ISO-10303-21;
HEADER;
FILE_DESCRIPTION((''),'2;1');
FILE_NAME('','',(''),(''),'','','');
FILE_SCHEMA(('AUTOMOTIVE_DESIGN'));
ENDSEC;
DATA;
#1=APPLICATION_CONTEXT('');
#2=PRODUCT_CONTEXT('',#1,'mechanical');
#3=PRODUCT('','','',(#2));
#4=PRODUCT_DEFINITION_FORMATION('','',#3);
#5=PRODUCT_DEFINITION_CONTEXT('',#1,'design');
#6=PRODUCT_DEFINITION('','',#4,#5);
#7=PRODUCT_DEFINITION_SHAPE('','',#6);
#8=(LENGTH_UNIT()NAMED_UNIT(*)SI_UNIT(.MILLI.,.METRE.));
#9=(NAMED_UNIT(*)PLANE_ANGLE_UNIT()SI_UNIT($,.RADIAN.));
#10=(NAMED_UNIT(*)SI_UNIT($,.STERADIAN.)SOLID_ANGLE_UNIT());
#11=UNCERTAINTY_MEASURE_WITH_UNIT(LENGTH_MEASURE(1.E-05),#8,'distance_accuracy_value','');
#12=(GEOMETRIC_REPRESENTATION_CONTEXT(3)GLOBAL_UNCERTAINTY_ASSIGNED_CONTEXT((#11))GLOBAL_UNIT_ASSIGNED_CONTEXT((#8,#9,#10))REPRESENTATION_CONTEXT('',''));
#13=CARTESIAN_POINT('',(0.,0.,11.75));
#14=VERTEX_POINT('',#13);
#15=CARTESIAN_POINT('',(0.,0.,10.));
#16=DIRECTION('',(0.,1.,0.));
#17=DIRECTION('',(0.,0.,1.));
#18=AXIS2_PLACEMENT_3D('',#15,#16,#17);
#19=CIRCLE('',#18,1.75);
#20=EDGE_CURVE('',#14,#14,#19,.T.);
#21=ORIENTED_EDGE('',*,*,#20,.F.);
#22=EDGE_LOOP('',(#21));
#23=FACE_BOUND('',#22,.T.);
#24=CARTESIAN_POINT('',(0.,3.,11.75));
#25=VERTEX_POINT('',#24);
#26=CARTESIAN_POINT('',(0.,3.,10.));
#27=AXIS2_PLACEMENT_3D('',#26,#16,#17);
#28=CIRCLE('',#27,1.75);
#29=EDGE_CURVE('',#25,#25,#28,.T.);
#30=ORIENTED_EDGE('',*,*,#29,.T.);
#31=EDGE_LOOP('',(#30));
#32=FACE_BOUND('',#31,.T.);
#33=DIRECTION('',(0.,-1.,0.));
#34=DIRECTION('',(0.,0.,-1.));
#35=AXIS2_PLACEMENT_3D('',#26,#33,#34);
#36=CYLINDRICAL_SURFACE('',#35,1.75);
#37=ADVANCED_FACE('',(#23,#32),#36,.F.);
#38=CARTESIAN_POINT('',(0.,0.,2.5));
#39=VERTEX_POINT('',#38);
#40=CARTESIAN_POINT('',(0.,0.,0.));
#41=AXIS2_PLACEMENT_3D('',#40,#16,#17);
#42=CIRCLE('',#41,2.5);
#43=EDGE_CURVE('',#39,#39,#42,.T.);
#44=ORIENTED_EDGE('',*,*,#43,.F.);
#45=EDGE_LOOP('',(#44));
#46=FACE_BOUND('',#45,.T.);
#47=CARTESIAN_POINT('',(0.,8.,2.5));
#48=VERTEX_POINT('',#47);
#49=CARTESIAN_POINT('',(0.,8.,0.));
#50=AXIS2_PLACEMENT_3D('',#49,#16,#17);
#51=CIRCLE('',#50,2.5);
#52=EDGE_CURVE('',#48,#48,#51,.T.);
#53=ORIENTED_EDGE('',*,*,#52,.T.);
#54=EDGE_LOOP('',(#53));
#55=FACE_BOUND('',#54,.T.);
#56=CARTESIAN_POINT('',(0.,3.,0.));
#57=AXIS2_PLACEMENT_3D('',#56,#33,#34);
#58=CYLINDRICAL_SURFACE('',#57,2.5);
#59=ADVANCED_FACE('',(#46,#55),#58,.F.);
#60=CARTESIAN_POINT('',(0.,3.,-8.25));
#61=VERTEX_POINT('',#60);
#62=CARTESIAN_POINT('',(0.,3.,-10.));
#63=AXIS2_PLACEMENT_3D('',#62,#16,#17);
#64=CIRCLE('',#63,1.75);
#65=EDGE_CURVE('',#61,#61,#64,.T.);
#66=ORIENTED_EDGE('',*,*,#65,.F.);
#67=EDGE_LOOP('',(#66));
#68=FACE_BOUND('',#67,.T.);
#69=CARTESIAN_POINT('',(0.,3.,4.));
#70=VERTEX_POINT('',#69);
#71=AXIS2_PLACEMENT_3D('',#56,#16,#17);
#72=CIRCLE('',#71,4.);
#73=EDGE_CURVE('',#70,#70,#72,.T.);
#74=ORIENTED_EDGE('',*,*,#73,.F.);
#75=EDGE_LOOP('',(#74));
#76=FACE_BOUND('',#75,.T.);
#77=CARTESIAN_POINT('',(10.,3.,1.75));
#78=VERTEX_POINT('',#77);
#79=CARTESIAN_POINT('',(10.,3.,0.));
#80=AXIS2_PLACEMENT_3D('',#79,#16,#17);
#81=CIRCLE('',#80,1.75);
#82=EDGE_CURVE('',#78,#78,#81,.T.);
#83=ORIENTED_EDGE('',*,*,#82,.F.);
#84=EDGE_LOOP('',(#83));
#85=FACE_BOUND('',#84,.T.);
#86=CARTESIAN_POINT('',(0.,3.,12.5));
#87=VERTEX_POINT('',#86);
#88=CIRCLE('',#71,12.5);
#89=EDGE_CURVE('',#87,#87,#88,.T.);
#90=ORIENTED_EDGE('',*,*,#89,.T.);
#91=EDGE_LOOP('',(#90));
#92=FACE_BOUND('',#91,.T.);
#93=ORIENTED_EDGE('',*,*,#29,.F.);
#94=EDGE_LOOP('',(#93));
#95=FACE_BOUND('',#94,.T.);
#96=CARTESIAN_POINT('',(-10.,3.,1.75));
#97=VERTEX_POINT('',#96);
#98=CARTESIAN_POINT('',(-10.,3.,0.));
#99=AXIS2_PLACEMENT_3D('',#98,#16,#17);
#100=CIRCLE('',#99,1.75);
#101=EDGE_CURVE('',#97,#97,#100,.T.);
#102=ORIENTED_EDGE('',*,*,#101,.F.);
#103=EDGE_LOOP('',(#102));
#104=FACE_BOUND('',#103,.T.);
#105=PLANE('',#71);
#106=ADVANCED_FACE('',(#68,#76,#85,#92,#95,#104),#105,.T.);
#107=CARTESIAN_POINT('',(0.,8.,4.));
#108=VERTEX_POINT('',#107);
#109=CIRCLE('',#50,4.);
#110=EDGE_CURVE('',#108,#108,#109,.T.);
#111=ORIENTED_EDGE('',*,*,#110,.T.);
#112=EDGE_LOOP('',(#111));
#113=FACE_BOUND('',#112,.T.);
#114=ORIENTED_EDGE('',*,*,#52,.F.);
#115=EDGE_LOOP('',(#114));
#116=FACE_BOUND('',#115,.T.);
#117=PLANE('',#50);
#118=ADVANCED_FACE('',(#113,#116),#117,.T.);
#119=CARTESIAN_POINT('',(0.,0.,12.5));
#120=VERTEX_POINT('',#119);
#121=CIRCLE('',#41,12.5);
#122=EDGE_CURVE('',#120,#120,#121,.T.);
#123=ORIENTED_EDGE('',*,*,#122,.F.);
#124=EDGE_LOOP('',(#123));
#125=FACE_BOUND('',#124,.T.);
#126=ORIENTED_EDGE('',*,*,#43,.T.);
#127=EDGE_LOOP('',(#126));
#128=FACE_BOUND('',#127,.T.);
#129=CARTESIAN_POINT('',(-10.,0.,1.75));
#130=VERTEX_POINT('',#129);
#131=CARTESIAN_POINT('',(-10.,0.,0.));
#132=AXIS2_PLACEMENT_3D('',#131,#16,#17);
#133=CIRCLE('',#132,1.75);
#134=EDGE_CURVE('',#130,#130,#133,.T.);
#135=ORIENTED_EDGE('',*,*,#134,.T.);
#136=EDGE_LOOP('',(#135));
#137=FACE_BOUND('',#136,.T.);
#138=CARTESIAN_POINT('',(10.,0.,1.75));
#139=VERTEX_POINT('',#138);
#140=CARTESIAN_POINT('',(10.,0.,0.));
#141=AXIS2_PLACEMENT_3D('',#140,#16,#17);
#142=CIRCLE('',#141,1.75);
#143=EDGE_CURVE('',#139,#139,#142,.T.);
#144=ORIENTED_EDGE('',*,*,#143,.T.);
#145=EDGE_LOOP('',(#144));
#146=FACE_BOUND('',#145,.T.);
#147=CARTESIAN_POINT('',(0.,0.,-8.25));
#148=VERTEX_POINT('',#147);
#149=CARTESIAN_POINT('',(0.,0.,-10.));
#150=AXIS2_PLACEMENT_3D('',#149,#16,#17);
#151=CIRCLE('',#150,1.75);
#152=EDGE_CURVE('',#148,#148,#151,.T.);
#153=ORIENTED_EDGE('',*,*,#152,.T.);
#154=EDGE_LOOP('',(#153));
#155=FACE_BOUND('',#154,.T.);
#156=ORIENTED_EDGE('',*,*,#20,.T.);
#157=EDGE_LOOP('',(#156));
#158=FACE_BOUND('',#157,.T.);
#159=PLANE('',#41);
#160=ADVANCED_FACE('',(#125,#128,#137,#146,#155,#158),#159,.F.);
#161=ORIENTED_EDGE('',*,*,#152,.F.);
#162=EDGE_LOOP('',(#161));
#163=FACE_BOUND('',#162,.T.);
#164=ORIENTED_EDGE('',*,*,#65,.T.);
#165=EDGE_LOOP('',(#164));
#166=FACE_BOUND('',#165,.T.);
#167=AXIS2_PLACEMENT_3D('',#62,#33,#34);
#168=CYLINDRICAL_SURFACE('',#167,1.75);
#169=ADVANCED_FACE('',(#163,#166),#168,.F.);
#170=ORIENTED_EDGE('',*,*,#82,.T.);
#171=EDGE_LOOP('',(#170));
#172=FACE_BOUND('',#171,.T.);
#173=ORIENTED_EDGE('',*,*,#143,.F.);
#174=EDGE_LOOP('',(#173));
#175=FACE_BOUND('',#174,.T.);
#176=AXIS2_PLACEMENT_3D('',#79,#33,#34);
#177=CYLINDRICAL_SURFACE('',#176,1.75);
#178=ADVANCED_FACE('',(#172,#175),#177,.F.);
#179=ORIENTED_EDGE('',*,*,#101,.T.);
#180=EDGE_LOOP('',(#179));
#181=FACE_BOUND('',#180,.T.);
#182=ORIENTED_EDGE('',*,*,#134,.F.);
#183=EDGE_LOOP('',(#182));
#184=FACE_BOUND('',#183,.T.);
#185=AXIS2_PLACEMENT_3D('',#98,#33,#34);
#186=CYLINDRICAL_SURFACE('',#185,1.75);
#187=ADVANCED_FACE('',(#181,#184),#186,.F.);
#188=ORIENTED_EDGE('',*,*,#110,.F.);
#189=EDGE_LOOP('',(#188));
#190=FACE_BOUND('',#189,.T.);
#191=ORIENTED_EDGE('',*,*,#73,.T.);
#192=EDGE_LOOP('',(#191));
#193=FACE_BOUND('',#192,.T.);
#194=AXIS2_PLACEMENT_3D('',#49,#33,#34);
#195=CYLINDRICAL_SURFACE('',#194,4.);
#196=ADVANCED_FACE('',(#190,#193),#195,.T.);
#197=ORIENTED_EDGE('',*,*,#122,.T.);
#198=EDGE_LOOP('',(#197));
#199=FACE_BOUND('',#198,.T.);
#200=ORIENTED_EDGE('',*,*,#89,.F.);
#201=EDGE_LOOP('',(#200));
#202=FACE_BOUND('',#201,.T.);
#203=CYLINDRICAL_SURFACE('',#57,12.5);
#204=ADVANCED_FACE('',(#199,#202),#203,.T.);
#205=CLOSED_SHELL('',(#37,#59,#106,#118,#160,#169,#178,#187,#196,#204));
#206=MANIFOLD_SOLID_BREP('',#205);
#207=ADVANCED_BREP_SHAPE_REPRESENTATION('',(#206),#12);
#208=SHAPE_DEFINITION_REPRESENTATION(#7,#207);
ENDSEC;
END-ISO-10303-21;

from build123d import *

# Parameters (mm, degrees)
SKETCH_1_R      = 12.5
SKETCH_1_R_2    = 2.5
SKETCH_1_R_3    = 1.75
EXTRUDE_1_DEPTH = 3
SKETCH_2_R      = 4
SKETCH_2_R_2    = 2.5
EXTRUDE_2_DEPTH = 5


with BuildPart() as part:
    # 草图1 → 凸台-拉伸1 (new body)
    with BuildSketch(Plane(origin=(0, 0, 0), x_dir=(1, 0, 0), z_dir=(0, 1, 0))):
        with Locations(Location((0, 0, 0), (0, 0, 270))):
            Circle(SKETCH_1_R)
        with Locations(Location((0, 0, 0), (0, 0, 270))):
            Circle(SKETCH_1_R_2, mode=Mode.SUBTRACT)
        with Locations(Location((0, 10, 0), (0, 0, 270))):
            Circle(SKETCH_1_R_3, mode=Mode.SUBTRACT)
        with Locations(Location((10, 0, 0), (0, 0, 270))):
            Circle(SKETCH_1_R_3, mode=Mode.SUBTRACT)
        with Locations(Location((0, -10, 0), (0, 0, 270))):
            Circle(SKETCH_1_R_3, mode=Mode.SUBTRACT)
        with Locations(Location((-10, 0, 0), (0, 0, 270))):
            Circle(SKETCH_1_R_3, mode=Mode.SUBTRACT)
    extrude(amount=EXTRUDE_1_DEPTH)

    # 草图2 → 凸台-拉伸2 (add)
    with BuildSketch(Plane(origin=(0, 3, 0), x_dir=(1, 0, 0), z_dir=(0, 1, 0))):
        with Locations(Location((0, 0, 0), (0, 0, 270))):
            Circle(SKETCH_2_R)
        with Locations(Location((0, 0, 0), (0, 0, 270))):
            Circle(SKETCH_2_R_2, mode=Mode.SUBTRACT)
    extrude(amount=EXTRUDE_2_DEPTH)


solid = part.part
